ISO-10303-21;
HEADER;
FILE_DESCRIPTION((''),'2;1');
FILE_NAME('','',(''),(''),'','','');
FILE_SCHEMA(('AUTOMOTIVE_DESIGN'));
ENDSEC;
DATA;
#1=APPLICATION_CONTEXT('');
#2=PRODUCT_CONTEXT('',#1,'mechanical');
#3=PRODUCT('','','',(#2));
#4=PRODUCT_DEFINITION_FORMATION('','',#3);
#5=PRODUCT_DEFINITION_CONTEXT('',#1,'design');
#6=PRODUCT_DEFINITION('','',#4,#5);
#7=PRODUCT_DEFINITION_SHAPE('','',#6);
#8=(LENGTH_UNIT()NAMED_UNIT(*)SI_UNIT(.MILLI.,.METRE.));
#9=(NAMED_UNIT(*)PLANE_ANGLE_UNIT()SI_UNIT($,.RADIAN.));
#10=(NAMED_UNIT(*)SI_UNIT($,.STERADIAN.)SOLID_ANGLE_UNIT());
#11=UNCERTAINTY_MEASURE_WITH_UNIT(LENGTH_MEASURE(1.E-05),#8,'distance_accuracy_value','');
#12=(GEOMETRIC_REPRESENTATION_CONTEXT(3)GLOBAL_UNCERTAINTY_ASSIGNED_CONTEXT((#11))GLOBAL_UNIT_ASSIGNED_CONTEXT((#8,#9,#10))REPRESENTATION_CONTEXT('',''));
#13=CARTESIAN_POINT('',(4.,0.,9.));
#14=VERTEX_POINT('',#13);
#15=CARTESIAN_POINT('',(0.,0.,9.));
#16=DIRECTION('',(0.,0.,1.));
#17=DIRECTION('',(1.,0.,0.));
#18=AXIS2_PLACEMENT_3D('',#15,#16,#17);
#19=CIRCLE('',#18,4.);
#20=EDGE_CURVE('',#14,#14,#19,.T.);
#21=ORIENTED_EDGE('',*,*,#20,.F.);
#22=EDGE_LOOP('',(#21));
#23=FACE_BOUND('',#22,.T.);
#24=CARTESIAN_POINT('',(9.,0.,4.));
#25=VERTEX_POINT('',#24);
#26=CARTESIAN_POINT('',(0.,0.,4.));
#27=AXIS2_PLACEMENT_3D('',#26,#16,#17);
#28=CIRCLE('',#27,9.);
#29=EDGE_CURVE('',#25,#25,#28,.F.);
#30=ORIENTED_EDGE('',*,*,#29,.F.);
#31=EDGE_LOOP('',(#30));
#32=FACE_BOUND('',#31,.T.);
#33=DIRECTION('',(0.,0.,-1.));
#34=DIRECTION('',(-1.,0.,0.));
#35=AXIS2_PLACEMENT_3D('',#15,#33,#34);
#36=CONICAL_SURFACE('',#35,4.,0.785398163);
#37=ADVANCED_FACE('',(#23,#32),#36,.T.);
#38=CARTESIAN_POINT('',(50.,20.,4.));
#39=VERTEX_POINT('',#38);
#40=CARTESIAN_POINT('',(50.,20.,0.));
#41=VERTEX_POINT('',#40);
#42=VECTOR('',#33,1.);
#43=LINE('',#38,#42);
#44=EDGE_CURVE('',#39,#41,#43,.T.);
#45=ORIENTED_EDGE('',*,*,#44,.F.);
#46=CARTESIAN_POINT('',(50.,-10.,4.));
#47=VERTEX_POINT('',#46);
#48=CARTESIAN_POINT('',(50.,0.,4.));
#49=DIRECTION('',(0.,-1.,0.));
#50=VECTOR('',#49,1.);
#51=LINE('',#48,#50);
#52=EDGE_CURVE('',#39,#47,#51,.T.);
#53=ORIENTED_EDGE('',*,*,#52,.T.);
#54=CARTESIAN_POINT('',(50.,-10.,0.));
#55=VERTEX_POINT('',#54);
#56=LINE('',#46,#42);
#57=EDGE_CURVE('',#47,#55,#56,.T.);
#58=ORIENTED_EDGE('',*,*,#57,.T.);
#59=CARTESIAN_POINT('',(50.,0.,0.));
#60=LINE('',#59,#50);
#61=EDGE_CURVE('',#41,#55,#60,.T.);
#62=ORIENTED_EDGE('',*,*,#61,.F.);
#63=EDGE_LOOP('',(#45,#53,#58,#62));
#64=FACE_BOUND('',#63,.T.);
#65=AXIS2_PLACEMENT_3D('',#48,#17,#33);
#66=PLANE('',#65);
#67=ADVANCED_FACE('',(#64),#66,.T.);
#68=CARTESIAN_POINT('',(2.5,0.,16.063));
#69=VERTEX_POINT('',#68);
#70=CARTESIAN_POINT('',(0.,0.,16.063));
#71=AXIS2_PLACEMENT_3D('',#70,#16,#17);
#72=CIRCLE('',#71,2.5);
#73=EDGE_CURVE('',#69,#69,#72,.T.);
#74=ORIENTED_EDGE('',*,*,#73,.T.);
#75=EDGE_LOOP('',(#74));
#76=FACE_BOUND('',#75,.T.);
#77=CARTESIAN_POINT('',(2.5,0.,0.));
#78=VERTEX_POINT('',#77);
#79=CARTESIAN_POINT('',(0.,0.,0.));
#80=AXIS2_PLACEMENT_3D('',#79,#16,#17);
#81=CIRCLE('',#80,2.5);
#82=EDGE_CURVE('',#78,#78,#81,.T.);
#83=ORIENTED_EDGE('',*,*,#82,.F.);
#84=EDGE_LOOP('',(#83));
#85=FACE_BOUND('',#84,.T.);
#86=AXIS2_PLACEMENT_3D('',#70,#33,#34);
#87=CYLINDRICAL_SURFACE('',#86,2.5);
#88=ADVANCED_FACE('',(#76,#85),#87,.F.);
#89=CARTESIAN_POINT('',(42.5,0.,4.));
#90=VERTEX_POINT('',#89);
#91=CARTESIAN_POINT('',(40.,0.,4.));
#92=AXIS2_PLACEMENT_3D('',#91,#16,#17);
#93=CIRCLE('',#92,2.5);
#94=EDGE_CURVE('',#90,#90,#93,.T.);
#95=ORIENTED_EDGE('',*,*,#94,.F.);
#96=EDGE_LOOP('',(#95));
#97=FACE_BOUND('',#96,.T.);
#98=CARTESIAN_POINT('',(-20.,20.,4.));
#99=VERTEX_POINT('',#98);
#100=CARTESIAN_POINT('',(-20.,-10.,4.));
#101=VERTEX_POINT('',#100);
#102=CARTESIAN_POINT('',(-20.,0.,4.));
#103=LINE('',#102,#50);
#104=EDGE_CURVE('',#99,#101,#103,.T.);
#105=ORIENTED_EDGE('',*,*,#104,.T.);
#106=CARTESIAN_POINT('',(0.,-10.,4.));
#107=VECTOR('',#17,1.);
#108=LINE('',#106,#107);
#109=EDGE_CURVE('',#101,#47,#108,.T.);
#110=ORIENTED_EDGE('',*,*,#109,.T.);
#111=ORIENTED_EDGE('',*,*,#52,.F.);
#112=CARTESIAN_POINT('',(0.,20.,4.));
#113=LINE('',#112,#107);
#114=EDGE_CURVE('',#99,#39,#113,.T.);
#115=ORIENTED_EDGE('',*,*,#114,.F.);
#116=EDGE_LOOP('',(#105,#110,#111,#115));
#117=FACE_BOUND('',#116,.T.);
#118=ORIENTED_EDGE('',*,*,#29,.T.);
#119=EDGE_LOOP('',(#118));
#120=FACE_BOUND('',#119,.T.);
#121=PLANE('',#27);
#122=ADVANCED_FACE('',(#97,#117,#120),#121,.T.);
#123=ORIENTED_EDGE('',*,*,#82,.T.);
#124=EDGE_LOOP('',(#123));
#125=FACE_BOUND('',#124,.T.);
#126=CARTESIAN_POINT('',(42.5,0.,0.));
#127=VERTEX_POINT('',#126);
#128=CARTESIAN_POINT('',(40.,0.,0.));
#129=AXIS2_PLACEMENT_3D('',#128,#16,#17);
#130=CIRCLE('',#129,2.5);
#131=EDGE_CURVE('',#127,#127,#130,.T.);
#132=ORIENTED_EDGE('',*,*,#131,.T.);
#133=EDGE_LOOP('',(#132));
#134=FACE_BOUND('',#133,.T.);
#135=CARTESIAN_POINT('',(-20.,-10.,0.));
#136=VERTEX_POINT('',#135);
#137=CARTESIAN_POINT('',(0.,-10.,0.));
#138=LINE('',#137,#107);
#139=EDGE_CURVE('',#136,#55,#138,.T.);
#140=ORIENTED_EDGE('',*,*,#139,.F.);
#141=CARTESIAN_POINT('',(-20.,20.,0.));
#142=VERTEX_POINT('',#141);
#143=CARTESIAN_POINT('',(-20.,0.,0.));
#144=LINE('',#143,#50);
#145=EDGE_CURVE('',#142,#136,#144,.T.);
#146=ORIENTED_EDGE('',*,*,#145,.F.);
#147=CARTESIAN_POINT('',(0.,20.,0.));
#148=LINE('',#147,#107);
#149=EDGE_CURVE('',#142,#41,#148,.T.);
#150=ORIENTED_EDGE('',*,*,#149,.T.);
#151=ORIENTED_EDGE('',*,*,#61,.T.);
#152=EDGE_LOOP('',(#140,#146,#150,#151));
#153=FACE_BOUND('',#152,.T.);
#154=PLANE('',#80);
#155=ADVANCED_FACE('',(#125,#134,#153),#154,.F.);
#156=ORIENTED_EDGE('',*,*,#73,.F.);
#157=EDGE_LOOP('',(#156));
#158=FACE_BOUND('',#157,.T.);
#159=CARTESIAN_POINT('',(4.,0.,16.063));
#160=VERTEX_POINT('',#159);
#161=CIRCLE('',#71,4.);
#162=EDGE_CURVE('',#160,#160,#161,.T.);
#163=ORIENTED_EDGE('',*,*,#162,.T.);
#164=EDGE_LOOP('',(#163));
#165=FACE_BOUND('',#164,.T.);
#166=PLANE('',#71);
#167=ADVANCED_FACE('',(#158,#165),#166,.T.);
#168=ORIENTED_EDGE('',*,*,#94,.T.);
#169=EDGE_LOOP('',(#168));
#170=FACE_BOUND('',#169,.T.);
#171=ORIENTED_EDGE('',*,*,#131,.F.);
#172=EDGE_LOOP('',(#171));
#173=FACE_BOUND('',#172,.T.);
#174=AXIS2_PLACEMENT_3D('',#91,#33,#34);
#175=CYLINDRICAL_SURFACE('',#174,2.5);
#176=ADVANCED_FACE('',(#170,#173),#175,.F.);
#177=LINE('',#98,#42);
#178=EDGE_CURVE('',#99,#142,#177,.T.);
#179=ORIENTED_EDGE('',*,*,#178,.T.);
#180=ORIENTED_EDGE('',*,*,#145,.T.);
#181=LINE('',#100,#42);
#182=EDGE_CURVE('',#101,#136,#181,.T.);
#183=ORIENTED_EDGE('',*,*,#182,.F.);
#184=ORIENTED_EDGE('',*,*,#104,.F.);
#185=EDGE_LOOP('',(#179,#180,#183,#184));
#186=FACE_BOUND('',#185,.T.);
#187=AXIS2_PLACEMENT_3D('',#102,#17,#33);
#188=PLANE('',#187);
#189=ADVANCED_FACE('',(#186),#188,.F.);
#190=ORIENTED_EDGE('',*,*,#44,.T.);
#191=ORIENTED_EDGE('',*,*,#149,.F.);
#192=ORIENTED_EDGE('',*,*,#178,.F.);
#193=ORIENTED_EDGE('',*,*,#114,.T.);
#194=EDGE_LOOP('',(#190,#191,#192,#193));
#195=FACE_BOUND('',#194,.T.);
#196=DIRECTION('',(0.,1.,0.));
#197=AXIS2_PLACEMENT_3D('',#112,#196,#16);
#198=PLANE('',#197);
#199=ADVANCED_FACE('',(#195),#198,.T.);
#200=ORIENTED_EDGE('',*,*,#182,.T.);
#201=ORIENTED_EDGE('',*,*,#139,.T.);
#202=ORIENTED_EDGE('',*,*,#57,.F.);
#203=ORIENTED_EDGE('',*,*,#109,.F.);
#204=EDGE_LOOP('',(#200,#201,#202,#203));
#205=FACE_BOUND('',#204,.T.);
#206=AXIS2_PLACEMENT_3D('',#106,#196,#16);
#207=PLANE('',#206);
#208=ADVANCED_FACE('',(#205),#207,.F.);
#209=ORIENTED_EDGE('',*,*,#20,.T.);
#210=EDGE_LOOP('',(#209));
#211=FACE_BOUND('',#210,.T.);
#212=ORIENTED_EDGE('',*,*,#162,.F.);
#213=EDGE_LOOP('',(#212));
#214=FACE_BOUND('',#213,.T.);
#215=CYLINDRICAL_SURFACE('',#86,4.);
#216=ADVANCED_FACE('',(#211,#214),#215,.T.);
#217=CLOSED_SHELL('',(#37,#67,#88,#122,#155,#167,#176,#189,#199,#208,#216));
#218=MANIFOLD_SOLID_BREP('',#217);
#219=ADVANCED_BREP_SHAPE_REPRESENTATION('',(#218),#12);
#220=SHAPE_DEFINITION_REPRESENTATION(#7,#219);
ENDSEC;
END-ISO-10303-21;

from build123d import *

# Parameters (mm, degrees)
SKETCH1_W           = 70
SKETCH1_H           = 30
SKETCH1_R           = 4
SKETCH1_R_2         = 2.5
BOSS_EXTRUDE1_DEPTH = 4
SKETCH1_3_R         = 4
SKETCH1_3_R_2       = 2.5
BOSS_EXTRUDE2_DEPTH = 16.063
CHAMFER1_SIZE       = 5


with BuildPart() as part:
    # Sketch1 → Boss-Extrude1 (new body)
    with BuildSketch(Plane.XY):
        with Locations((15, 5)):
            Rectangle(SKETCH1_W, SKETCH1_H)
        Circle(SKETCH1_R, mode=Mode.SUBTRACT)
        with Locations((40, 0)):
            Circle(SKETCH1_R_2, mode=Mode.SUBTRACT)
    extrude(amount=BOSS_EXTRUDE1_DEPTH)

    # Sketch1<3> → Boss-Extrude2 (add)
    with BuildSketch(Plane.XY):
        Circle(SKETCH1_3_R)
        Circle(SKETCH1_3_R_2, mode=Mode.SUBTRACT)
    extrude(amount=BOSS_EXTRUDE2_DEPTH)

    # Chamfer1
    chamfer1_edges = [part.edges().sort_by_distance(p)[0] for p in [
        (-4, 0, 4),
    ]]
    chamfer(chamfer1_edges, length=CHAMFER1_SIZE)


solid = part.part
